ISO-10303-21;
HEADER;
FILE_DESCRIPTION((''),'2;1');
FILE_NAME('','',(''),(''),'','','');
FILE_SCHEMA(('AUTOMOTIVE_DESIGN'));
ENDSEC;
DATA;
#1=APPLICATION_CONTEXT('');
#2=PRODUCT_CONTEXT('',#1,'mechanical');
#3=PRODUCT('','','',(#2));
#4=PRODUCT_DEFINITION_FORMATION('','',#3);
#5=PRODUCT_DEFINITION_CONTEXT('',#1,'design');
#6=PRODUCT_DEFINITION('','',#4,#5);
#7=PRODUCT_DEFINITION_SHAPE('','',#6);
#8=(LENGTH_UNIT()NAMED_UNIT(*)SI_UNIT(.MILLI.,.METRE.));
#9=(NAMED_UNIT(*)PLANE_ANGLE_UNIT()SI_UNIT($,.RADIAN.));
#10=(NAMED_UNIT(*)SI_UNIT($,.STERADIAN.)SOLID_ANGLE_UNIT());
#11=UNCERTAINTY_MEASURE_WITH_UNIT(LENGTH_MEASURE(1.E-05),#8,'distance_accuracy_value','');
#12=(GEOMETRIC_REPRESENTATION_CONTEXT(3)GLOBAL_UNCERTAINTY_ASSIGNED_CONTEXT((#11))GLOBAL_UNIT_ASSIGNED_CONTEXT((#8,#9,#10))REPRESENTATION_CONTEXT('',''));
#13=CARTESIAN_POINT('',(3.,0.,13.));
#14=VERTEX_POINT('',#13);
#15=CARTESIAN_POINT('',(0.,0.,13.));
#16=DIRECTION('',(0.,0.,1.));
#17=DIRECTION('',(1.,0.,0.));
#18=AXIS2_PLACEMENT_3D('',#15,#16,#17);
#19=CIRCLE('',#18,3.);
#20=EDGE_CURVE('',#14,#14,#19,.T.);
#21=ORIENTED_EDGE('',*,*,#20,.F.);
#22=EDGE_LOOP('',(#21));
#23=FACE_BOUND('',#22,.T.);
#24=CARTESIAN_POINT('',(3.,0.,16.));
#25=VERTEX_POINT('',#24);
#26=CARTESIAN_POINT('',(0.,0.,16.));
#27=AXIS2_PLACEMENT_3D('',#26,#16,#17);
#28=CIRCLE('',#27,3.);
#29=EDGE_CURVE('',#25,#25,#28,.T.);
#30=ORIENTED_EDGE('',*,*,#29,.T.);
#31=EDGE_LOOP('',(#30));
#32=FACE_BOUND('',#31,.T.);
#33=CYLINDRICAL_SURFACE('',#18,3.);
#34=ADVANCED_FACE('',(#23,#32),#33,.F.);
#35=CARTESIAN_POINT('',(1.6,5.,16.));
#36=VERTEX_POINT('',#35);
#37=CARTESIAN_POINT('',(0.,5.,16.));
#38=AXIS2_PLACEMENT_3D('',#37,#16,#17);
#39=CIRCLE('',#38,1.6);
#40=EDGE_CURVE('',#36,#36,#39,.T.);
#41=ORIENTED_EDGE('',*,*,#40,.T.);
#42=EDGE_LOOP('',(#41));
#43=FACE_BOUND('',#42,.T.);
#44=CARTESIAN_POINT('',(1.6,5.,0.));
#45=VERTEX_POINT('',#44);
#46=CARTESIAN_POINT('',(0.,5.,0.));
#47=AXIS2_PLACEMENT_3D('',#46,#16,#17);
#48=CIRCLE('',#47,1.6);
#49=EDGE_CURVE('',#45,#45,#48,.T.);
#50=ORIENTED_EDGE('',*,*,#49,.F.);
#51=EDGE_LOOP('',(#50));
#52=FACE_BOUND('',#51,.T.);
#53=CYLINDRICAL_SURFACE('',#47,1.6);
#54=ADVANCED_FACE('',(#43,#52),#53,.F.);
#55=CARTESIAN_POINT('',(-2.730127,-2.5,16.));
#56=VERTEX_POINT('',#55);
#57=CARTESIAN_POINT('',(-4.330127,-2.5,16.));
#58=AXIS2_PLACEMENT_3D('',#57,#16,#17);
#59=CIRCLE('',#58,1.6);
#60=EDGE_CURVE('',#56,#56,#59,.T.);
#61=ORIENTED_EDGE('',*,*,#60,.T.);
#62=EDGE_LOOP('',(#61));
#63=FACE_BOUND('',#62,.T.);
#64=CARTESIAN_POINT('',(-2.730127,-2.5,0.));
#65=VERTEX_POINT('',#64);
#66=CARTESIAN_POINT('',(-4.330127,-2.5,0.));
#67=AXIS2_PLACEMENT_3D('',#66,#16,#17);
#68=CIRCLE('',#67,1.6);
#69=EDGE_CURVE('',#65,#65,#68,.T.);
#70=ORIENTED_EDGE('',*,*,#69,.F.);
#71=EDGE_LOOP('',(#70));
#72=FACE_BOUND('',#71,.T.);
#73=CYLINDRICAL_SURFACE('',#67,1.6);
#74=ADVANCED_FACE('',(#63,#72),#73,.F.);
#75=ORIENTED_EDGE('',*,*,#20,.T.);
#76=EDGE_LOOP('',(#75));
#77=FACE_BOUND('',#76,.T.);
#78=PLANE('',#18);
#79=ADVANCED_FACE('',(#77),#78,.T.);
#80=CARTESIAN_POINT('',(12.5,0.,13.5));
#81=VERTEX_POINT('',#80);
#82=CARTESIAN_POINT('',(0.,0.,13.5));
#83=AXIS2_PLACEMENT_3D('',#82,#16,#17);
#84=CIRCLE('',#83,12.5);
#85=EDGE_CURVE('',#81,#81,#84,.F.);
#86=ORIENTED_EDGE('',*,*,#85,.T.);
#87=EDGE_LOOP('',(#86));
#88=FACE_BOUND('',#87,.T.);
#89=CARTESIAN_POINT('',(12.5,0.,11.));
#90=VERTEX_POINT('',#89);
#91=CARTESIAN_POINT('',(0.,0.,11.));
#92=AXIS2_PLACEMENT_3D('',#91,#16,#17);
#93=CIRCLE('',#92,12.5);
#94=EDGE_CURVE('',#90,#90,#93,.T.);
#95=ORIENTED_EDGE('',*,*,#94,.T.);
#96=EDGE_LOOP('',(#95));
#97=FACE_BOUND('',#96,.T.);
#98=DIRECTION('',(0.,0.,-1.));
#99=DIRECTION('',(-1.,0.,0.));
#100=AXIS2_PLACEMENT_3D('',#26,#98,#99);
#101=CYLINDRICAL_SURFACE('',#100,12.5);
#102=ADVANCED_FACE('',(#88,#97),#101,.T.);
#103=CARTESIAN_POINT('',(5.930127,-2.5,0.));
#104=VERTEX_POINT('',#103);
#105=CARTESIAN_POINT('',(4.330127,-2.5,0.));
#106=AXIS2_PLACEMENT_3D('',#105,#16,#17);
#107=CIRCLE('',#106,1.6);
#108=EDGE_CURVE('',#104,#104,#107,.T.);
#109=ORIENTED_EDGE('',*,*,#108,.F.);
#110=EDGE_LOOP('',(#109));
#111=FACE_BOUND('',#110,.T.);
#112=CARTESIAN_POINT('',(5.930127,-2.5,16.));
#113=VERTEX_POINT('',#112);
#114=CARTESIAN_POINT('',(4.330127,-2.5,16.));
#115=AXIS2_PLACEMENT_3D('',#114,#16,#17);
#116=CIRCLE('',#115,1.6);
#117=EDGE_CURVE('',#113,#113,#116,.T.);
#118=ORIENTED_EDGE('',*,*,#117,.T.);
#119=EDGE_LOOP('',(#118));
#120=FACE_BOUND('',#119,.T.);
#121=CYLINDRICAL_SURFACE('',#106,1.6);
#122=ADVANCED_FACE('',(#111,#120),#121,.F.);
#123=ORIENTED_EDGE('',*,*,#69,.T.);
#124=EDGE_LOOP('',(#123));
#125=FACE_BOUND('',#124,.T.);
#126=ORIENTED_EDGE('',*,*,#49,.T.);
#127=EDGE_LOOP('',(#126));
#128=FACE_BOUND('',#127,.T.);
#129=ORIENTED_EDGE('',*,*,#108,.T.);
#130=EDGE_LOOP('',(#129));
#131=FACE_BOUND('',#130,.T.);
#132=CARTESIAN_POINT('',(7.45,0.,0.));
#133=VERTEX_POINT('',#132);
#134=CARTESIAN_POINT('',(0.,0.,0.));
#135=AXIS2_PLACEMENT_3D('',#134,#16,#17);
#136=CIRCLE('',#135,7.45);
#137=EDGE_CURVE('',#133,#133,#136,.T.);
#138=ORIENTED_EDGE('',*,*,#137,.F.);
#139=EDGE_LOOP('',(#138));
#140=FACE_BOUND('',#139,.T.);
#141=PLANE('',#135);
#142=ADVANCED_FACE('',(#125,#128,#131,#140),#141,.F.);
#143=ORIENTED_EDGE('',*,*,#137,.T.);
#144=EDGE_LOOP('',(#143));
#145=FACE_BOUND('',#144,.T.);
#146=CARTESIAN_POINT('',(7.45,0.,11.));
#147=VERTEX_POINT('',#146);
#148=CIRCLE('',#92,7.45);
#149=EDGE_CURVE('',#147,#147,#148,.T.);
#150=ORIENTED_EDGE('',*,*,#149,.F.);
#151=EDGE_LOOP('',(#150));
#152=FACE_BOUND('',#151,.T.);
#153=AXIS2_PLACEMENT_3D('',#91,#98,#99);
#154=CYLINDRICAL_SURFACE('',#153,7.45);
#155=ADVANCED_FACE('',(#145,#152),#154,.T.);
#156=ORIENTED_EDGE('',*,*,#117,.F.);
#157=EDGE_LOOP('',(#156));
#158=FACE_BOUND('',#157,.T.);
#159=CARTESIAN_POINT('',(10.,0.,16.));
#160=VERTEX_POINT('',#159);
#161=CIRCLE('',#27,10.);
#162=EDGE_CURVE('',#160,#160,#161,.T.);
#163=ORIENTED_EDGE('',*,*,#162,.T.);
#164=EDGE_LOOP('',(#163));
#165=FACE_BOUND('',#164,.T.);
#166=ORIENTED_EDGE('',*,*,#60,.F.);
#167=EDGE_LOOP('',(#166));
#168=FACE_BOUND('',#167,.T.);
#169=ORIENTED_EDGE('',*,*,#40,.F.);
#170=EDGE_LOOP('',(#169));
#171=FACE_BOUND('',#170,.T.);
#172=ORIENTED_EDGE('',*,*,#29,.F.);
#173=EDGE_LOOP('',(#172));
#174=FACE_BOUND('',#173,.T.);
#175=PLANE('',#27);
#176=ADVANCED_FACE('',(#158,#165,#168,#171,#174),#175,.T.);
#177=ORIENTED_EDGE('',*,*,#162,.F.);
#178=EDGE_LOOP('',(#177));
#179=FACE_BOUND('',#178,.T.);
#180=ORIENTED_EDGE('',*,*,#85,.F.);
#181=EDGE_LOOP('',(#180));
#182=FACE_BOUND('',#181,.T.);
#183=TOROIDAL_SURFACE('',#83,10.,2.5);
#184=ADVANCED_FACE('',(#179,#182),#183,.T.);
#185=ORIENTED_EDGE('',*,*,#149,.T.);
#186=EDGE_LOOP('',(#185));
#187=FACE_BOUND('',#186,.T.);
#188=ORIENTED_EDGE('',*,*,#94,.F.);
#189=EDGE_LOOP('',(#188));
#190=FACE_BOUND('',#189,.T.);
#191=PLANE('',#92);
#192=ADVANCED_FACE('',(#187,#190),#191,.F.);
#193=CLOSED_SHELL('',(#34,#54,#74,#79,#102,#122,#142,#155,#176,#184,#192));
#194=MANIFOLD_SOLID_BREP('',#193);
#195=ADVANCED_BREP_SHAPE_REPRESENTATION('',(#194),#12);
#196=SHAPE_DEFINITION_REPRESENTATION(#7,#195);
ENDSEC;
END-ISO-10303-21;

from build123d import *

# Parameters (mm, degrees)
SKETCH2_R           = 7.45
BOSS_EXTRUDE1_DEPTH = 11
SKETCH3_R           = 12.5
BOSS_EXTRUDE2_DEPTH = 5
SKETCH4_R           = 1.6
CUT_EXTRUDE1_DEPTH  = 24.843238035
FILLET2_R           = 2.5
SKETCH5_R           = 3
CUT_EXTRUDE2_DEPTH  = 3


with BuildPart() as part:
    # Sketch2 → Boss-Extrude1 (new body)
    with BuildSketch(Plane.XY):
        Circle(SKETCH2_R)
    extrude(amount=BOSS_EXTRUDE1_DEPTH)

    # Sketch3 → Boss-Extrude2 (add)
    with BuildSketch(Plane.XY.offset(11)):
        Circle(SKETCH3_R)
    extrude(amount=BOSS_EXTRUDE2_DEPTH)

    # Sketch4 → Cut-Extrude1 (cut, through all)
    with BuildSketch(Plane.XY.offset(16)):
        with Locations((0, 5)):
            Circle(SKETCH4_R)
        with Locations((4.330127019, -2.5)):
            Circle(SKETCH4_R)
        with Locations((-4.330127019, -2.5)):
            Circle(SKETCH4_R)
    extrude(amount=-CUT_EXTRUDE1_DEPTH, mode=Mode.SUBTRACT)

    # Fillet2
    fillet2_edges = [part.edges().sort_by_distance(p)[0] for p in [
        (-12.5, 0, 16),
    ]]
    fillet(fillet2_edges, radius=FILLET2_R)

    # Sketch5 → Cut-Extrude2 (cut)
    with BuildSketch(Plane.XY.offset(16)):
        Circle(SKETCH5_R)
    extrude(amount=-CUT_EXTRUDE2_DEPTH, mode=Mode.SUBTRACT)


solid = part.part
